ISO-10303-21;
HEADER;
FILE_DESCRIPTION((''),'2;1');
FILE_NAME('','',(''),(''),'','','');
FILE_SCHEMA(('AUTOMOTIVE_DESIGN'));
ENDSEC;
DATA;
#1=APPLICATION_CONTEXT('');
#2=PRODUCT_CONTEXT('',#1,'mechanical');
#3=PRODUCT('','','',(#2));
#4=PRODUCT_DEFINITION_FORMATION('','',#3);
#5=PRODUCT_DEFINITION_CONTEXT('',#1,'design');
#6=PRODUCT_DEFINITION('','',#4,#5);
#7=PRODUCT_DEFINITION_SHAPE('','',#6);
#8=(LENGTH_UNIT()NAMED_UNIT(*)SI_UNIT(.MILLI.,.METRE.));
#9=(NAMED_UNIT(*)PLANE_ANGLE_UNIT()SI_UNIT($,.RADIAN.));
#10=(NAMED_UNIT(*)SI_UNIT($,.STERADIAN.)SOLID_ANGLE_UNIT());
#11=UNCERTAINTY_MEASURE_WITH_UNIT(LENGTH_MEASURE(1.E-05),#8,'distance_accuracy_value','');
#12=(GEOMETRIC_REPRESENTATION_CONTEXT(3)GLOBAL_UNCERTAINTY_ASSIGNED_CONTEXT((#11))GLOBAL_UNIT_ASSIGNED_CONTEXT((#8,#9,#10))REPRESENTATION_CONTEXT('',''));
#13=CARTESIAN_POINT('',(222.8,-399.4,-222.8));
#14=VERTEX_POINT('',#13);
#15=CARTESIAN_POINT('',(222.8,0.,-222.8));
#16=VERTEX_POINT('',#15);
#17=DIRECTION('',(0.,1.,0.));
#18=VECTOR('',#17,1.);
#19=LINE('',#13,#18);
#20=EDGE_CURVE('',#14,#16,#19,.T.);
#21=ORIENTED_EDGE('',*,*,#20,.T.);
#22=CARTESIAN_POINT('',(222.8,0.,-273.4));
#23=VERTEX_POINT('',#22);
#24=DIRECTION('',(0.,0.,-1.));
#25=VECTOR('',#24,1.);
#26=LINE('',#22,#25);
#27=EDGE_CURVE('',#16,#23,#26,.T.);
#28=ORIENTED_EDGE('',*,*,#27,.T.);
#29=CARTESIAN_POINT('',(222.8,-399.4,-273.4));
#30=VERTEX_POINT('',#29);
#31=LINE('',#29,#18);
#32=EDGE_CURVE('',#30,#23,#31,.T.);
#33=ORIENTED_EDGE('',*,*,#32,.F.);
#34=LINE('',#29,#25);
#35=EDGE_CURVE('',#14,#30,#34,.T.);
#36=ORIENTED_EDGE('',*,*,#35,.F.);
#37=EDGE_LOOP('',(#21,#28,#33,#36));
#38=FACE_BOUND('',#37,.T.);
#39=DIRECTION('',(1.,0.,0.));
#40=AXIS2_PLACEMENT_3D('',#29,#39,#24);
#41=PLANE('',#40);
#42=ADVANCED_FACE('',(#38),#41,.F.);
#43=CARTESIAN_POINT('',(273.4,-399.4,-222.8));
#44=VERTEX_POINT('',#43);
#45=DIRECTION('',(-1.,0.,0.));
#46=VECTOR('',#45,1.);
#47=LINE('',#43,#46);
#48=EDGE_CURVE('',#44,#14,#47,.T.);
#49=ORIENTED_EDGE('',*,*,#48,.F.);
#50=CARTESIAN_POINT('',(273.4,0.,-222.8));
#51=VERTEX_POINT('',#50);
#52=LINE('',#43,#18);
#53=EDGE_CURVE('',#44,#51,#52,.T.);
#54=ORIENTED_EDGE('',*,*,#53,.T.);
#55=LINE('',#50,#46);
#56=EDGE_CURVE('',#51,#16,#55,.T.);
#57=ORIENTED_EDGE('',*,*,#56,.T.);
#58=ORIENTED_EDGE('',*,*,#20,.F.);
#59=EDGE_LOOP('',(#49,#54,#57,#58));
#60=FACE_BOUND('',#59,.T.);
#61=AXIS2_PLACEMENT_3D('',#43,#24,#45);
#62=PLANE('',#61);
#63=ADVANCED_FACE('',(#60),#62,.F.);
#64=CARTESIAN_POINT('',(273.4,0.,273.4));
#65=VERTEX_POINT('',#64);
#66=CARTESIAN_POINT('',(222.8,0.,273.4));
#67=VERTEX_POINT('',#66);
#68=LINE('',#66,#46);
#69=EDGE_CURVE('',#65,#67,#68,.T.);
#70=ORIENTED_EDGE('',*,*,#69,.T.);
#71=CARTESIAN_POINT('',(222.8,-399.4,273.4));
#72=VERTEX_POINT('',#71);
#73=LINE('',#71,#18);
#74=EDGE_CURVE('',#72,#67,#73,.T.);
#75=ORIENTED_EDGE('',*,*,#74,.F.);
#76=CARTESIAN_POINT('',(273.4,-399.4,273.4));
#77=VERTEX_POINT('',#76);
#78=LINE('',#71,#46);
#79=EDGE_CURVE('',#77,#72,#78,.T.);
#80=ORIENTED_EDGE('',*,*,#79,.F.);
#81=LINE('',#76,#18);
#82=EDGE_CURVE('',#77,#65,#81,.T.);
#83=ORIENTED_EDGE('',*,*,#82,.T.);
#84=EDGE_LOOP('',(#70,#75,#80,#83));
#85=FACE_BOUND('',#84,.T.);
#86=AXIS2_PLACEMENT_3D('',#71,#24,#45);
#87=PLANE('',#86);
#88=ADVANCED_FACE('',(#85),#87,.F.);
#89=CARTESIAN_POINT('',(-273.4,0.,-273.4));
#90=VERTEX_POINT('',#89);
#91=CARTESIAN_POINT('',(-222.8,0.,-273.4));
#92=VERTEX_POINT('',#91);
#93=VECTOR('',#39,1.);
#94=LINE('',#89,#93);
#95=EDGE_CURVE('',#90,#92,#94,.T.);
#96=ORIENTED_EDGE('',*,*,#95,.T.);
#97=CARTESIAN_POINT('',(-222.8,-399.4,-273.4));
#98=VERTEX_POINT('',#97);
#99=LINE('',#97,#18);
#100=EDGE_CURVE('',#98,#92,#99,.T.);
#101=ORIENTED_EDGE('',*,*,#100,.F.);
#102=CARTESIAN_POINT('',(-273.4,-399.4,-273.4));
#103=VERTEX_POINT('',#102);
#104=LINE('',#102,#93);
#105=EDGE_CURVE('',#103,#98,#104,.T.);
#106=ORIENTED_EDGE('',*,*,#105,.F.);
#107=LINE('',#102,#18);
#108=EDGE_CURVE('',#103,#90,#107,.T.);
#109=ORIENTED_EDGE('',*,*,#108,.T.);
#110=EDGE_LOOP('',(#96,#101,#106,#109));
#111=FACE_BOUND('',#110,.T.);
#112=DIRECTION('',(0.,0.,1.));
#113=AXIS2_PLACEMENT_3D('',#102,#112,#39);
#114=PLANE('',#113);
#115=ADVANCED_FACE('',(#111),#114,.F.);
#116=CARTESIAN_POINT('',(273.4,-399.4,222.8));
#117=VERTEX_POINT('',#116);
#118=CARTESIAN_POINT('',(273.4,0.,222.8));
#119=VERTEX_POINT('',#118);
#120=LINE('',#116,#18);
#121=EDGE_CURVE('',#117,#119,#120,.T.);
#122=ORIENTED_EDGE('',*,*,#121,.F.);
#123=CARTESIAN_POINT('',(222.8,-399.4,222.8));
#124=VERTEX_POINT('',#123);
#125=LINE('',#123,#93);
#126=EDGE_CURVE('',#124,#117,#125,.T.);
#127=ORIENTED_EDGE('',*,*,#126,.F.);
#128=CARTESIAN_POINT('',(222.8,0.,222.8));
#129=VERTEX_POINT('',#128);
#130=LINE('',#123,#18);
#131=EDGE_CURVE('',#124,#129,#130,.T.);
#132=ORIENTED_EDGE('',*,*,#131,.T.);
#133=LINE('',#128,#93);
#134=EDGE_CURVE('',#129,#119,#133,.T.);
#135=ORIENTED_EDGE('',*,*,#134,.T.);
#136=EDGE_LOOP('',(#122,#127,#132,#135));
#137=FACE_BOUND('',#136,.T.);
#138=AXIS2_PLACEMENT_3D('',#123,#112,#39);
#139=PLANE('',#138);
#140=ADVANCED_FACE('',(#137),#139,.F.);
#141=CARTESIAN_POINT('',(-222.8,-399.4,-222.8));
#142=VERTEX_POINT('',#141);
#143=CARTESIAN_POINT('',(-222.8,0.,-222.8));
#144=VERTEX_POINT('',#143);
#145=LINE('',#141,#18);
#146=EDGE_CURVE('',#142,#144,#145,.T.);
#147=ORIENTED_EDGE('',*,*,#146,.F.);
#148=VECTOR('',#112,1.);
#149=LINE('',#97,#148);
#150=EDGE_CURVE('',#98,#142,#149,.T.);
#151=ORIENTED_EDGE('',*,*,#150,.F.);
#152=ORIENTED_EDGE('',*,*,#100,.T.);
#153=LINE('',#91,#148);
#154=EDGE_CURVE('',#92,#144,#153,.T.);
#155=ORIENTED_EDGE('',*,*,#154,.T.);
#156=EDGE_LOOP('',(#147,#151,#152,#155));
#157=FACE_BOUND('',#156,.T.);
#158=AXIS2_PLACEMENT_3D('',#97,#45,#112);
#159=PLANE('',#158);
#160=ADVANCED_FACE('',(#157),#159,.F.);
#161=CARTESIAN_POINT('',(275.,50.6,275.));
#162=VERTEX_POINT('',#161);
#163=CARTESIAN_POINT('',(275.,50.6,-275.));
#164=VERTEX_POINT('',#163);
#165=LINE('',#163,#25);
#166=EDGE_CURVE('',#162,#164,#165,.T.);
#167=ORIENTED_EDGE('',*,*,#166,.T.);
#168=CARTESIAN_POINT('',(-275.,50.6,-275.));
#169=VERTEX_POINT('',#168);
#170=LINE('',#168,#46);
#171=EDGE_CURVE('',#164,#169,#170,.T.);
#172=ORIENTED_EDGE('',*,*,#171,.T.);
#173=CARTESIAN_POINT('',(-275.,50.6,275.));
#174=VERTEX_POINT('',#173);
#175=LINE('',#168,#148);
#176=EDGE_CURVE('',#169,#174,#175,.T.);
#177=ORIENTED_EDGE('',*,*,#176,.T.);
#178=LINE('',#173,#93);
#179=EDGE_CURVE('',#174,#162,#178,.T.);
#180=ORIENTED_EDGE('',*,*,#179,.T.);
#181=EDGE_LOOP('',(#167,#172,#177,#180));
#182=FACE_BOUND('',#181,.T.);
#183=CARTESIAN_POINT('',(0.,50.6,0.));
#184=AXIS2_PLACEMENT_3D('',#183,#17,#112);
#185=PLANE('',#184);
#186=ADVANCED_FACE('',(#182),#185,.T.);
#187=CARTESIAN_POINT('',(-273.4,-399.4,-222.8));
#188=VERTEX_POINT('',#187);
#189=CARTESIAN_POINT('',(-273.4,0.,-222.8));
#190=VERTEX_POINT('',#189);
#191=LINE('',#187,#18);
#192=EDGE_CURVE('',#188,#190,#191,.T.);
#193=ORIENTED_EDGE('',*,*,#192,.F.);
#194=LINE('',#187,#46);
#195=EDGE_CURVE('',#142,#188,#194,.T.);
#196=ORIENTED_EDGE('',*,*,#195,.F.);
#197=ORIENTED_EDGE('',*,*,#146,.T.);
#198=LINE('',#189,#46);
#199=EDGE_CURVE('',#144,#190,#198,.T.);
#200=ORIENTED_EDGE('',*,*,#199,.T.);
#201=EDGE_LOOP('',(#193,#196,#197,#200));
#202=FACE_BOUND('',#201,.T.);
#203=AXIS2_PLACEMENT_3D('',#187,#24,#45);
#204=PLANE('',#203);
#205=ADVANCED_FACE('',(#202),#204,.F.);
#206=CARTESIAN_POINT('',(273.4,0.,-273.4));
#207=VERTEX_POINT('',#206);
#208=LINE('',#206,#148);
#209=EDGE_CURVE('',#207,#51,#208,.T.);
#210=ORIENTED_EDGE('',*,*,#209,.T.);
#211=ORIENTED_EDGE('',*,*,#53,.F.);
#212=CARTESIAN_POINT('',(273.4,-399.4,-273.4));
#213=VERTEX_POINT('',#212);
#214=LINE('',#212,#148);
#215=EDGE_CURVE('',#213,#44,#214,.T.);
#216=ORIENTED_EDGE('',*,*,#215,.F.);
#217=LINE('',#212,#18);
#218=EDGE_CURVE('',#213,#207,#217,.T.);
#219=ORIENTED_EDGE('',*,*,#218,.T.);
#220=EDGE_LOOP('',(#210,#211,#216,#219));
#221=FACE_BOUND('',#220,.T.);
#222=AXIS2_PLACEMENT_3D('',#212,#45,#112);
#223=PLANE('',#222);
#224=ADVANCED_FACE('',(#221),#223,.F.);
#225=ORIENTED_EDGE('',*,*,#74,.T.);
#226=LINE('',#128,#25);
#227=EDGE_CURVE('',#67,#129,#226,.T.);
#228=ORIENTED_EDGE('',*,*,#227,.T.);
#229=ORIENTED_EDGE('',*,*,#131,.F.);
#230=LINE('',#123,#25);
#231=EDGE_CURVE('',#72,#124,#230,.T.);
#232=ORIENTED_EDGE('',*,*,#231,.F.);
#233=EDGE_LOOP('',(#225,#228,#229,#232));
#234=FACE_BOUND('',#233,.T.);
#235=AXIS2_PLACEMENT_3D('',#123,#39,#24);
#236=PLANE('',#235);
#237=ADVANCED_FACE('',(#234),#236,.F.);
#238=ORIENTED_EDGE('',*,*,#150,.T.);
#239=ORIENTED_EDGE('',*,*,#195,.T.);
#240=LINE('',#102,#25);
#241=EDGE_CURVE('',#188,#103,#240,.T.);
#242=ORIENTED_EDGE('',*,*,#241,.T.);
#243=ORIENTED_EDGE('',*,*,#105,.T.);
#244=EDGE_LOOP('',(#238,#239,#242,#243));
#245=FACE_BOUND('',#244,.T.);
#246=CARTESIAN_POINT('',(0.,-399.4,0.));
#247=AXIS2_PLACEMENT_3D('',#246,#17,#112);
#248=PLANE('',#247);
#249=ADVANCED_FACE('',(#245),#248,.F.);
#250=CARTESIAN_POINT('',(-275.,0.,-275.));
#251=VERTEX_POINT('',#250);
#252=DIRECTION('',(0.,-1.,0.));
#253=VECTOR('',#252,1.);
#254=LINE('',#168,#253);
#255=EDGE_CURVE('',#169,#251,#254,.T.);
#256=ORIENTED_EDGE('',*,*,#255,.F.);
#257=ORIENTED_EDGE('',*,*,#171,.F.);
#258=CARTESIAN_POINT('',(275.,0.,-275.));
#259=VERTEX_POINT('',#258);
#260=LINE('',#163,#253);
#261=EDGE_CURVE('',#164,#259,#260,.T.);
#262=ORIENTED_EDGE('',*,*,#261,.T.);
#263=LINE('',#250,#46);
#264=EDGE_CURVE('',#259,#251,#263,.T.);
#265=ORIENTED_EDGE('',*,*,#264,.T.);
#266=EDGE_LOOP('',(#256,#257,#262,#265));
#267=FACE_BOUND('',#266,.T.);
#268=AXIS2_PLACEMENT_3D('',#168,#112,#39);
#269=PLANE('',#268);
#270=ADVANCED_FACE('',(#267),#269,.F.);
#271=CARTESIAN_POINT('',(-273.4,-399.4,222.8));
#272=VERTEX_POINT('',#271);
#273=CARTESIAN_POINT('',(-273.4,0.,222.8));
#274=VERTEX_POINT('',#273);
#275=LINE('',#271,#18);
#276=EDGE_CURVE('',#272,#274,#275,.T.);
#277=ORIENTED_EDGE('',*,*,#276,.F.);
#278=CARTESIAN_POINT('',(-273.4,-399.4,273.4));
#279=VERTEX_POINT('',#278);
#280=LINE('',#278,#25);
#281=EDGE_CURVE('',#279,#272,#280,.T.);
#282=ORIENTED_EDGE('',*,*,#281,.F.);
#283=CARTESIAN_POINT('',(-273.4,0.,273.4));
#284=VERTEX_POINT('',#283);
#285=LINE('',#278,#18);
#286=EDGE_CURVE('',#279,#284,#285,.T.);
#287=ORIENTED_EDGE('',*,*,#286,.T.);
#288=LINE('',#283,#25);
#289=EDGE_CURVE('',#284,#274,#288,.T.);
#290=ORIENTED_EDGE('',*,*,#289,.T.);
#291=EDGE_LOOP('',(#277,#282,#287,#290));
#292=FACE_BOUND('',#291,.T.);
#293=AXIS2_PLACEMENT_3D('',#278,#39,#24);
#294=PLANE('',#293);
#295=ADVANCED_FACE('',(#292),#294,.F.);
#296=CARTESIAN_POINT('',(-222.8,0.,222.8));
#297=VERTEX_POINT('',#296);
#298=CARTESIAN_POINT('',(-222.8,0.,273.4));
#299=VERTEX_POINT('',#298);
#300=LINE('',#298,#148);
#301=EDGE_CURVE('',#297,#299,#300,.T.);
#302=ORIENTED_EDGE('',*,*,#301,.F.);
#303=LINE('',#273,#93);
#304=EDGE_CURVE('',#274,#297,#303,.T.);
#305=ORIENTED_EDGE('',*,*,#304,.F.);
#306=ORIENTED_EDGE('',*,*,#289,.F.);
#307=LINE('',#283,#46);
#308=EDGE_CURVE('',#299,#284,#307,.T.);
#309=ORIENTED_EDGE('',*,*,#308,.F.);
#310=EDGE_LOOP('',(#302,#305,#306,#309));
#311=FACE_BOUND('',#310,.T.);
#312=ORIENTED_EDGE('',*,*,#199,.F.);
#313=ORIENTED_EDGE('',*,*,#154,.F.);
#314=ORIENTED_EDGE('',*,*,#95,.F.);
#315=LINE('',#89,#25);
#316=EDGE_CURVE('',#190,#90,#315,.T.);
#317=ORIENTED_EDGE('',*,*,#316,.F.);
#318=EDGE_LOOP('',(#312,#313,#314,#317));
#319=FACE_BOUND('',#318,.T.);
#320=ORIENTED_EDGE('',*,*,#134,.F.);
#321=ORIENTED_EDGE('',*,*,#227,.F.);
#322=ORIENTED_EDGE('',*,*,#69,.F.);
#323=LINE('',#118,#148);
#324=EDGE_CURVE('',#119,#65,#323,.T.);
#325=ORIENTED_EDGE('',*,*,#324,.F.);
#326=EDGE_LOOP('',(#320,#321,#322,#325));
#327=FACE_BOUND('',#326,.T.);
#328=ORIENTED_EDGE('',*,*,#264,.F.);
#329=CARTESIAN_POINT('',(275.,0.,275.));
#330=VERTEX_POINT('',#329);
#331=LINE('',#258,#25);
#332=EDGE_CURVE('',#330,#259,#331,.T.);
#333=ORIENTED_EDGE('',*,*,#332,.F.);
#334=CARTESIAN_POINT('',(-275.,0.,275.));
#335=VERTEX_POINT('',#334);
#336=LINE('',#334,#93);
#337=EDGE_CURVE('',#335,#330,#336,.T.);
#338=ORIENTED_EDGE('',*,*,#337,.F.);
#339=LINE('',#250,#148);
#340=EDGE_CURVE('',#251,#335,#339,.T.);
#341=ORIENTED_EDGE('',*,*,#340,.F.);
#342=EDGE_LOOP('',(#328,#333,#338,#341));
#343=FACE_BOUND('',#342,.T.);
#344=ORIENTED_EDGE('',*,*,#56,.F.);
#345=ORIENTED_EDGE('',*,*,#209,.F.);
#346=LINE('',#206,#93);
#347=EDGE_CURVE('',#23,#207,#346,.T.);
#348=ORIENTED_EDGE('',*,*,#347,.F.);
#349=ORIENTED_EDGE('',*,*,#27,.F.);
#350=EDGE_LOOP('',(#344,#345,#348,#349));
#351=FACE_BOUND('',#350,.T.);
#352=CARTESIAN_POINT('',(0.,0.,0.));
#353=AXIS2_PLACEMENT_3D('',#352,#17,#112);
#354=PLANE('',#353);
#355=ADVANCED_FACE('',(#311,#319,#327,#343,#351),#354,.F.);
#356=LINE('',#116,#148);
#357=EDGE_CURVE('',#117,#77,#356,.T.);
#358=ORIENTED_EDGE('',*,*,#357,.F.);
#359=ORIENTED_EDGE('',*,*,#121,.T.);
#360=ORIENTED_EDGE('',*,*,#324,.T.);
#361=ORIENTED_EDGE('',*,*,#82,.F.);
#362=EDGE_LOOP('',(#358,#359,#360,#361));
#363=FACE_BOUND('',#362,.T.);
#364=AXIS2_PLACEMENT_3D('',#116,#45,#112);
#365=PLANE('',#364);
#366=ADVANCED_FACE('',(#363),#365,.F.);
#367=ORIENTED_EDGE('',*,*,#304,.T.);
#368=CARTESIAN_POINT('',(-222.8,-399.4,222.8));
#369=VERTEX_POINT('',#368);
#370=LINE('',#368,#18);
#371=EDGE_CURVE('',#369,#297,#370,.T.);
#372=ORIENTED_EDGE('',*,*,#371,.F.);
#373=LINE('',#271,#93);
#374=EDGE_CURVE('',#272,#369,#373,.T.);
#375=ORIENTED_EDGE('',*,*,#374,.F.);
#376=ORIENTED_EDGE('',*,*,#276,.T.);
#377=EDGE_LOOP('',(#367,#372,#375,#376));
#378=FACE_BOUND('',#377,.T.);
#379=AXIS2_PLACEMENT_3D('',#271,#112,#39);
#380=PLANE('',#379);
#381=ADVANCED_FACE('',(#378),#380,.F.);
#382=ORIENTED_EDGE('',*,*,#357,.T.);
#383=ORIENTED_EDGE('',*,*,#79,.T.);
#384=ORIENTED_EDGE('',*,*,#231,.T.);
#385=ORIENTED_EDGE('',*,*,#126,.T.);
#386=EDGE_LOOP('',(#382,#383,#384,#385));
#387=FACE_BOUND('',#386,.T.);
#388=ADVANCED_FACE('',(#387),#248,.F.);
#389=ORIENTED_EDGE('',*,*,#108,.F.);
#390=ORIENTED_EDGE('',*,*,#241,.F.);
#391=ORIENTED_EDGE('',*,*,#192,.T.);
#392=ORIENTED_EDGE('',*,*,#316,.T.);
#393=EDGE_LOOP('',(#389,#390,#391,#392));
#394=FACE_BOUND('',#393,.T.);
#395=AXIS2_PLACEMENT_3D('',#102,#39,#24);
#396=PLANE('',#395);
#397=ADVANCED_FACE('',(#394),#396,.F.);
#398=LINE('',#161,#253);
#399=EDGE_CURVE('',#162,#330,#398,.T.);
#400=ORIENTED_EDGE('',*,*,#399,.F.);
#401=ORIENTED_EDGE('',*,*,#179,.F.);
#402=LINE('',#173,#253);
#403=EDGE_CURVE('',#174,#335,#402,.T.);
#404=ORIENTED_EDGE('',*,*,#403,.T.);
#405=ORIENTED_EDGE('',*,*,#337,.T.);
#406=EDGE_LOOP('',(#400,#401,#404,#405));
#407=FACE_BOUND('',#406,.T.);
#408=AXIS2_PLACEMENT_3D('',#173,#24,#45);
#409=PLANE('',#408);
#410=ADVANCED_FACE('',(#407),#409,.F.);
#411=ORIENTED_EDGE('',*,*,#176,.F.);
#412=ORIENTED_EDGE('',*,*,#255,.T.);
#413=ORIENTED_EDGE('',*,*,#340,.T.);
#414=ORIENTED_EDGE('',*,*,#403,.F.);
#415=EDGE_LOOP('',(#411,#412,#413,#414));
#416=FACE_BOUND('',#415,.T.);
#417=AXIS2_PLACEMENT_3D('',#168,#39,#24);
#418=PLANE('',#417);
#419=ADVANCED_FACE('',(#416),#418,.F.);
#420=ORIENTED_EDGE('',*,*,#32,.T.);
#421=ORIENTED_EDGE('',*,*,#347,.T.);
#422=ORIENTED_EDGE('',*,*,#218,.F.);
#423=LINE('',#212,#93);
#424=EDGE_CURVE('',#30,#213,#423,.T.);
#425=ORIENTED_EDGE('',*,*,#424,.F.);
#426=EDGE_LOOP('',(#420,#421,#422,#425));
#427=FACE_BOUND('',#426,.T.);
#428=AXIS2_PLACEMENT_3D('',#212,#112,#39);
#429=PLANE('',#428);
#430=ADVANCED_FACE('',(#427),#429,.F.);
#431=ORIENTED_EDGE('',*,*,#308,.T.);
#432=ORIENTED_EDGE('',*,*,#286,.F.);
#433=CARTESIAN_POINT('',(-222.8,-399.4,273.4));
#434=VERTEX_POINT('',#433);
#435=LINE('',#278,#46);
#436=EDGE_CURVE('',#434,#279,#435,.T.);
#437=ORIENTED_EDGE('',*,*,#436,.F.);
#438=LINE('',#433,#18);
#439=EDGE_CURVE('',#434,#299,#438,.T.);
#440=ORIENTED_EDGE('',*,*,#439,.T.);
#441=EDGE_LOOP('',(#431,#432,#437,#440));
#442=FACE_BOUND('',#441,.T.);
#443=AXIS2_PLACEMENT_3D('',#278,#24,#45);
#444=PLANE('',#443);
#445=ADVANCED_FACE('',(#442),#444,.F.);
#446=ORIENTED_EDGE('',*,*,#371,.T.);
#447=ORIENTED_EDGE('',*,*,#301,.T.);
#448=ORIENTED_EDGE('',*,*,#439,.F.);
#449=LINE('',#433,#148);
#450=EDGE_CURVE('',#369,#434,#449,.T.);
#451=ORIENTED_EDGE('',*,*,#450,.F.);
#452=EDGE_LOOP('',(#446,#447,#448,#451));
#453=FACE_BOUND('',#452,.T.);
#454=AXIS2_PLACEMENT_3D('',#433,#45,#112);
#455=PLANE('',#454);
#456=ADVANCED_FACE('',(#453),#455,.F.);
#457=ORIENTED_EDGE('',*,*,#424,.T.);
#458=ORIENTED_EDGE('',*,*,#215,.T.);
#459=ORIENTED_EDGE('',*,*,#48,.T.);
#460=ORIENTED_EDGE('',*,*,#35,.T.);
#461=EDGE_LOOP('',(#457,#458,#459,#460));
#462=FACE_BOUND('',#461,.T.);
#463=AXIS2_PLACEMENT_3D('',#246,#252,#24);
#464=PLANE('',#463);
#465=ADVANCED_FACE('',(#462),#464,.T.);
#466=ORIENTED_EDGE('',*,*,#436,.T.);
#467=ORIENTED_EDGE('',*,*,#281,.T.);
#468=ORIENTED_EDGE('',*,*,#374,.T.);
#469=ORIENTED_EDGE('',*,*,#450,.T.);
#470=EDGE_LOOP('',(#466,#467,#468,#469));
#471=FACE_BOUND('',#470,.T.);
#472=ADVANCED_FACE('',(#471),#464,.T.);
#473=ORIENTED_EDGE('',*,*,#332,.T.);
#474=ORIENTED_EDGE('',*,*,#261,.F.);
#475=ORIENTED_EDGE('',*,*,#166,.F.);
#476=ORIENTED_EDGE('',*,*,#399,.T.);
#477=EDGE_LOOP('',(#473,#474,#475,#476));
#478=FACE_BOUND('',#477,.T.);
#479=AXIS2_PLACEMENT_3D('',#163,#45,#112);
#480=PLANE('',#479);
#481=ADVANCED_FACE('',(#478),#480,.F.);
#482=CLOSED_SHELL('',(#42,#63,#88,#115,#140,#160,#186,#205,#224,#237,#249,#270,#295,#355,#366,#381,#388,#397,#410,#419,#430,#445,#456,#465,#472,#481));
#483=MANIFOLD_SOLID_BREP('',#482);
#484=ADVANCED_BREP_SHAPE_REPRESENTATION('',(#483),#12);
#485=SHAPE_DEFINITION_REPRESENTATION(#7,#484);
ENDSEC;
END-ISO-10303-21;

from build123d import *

# Parameters (mm, degrees)
SKETCH1_W           = 550
SKETCH1_H           = 550
BOSS_EXTRUDE1_DEPTH = 50.6
SKETCH3_W           = 50.6
SKETCH3_H           = 50.6
BOSS_EXTRUDE2_DEPTH = 399.4


with BuildPart() as part:
    # Sketch1 → Boss-Extrude1 (new body)
    with BuildSketch(Plane(origin=(0, 0, 0), x_dir=(1, 0, 0), z_dir=(0, 1, 0))):
        Rectangle(SKETCH1_W, SKETCH1_H)
    extrude(amount=BOSS_EXTRUDE1_DEPTH)

    # Sketch3 → Boss-Extrude2 (add)
    with BuildSketch(Plane.XZ):
        with Locations((248.1, -248.1)):
            Rectangle(SKETCH3_W, SKETCH3_H)
        with Locations((-248.1, -248.1)):
            Rectangle(SKETCH3_W, SKETCH3_H)
        with Locations((-248.1, 248.1)):
            Rectangle(SKETCH3_W, SKETCH3_H)
        with Locations((248.1, 248.1)):
            Rectangle(SKETCH3_W, SKETCH3_H)
    extrude(amount=BOSS_EXTRUDE2_DEPTH)


solid = part.part
